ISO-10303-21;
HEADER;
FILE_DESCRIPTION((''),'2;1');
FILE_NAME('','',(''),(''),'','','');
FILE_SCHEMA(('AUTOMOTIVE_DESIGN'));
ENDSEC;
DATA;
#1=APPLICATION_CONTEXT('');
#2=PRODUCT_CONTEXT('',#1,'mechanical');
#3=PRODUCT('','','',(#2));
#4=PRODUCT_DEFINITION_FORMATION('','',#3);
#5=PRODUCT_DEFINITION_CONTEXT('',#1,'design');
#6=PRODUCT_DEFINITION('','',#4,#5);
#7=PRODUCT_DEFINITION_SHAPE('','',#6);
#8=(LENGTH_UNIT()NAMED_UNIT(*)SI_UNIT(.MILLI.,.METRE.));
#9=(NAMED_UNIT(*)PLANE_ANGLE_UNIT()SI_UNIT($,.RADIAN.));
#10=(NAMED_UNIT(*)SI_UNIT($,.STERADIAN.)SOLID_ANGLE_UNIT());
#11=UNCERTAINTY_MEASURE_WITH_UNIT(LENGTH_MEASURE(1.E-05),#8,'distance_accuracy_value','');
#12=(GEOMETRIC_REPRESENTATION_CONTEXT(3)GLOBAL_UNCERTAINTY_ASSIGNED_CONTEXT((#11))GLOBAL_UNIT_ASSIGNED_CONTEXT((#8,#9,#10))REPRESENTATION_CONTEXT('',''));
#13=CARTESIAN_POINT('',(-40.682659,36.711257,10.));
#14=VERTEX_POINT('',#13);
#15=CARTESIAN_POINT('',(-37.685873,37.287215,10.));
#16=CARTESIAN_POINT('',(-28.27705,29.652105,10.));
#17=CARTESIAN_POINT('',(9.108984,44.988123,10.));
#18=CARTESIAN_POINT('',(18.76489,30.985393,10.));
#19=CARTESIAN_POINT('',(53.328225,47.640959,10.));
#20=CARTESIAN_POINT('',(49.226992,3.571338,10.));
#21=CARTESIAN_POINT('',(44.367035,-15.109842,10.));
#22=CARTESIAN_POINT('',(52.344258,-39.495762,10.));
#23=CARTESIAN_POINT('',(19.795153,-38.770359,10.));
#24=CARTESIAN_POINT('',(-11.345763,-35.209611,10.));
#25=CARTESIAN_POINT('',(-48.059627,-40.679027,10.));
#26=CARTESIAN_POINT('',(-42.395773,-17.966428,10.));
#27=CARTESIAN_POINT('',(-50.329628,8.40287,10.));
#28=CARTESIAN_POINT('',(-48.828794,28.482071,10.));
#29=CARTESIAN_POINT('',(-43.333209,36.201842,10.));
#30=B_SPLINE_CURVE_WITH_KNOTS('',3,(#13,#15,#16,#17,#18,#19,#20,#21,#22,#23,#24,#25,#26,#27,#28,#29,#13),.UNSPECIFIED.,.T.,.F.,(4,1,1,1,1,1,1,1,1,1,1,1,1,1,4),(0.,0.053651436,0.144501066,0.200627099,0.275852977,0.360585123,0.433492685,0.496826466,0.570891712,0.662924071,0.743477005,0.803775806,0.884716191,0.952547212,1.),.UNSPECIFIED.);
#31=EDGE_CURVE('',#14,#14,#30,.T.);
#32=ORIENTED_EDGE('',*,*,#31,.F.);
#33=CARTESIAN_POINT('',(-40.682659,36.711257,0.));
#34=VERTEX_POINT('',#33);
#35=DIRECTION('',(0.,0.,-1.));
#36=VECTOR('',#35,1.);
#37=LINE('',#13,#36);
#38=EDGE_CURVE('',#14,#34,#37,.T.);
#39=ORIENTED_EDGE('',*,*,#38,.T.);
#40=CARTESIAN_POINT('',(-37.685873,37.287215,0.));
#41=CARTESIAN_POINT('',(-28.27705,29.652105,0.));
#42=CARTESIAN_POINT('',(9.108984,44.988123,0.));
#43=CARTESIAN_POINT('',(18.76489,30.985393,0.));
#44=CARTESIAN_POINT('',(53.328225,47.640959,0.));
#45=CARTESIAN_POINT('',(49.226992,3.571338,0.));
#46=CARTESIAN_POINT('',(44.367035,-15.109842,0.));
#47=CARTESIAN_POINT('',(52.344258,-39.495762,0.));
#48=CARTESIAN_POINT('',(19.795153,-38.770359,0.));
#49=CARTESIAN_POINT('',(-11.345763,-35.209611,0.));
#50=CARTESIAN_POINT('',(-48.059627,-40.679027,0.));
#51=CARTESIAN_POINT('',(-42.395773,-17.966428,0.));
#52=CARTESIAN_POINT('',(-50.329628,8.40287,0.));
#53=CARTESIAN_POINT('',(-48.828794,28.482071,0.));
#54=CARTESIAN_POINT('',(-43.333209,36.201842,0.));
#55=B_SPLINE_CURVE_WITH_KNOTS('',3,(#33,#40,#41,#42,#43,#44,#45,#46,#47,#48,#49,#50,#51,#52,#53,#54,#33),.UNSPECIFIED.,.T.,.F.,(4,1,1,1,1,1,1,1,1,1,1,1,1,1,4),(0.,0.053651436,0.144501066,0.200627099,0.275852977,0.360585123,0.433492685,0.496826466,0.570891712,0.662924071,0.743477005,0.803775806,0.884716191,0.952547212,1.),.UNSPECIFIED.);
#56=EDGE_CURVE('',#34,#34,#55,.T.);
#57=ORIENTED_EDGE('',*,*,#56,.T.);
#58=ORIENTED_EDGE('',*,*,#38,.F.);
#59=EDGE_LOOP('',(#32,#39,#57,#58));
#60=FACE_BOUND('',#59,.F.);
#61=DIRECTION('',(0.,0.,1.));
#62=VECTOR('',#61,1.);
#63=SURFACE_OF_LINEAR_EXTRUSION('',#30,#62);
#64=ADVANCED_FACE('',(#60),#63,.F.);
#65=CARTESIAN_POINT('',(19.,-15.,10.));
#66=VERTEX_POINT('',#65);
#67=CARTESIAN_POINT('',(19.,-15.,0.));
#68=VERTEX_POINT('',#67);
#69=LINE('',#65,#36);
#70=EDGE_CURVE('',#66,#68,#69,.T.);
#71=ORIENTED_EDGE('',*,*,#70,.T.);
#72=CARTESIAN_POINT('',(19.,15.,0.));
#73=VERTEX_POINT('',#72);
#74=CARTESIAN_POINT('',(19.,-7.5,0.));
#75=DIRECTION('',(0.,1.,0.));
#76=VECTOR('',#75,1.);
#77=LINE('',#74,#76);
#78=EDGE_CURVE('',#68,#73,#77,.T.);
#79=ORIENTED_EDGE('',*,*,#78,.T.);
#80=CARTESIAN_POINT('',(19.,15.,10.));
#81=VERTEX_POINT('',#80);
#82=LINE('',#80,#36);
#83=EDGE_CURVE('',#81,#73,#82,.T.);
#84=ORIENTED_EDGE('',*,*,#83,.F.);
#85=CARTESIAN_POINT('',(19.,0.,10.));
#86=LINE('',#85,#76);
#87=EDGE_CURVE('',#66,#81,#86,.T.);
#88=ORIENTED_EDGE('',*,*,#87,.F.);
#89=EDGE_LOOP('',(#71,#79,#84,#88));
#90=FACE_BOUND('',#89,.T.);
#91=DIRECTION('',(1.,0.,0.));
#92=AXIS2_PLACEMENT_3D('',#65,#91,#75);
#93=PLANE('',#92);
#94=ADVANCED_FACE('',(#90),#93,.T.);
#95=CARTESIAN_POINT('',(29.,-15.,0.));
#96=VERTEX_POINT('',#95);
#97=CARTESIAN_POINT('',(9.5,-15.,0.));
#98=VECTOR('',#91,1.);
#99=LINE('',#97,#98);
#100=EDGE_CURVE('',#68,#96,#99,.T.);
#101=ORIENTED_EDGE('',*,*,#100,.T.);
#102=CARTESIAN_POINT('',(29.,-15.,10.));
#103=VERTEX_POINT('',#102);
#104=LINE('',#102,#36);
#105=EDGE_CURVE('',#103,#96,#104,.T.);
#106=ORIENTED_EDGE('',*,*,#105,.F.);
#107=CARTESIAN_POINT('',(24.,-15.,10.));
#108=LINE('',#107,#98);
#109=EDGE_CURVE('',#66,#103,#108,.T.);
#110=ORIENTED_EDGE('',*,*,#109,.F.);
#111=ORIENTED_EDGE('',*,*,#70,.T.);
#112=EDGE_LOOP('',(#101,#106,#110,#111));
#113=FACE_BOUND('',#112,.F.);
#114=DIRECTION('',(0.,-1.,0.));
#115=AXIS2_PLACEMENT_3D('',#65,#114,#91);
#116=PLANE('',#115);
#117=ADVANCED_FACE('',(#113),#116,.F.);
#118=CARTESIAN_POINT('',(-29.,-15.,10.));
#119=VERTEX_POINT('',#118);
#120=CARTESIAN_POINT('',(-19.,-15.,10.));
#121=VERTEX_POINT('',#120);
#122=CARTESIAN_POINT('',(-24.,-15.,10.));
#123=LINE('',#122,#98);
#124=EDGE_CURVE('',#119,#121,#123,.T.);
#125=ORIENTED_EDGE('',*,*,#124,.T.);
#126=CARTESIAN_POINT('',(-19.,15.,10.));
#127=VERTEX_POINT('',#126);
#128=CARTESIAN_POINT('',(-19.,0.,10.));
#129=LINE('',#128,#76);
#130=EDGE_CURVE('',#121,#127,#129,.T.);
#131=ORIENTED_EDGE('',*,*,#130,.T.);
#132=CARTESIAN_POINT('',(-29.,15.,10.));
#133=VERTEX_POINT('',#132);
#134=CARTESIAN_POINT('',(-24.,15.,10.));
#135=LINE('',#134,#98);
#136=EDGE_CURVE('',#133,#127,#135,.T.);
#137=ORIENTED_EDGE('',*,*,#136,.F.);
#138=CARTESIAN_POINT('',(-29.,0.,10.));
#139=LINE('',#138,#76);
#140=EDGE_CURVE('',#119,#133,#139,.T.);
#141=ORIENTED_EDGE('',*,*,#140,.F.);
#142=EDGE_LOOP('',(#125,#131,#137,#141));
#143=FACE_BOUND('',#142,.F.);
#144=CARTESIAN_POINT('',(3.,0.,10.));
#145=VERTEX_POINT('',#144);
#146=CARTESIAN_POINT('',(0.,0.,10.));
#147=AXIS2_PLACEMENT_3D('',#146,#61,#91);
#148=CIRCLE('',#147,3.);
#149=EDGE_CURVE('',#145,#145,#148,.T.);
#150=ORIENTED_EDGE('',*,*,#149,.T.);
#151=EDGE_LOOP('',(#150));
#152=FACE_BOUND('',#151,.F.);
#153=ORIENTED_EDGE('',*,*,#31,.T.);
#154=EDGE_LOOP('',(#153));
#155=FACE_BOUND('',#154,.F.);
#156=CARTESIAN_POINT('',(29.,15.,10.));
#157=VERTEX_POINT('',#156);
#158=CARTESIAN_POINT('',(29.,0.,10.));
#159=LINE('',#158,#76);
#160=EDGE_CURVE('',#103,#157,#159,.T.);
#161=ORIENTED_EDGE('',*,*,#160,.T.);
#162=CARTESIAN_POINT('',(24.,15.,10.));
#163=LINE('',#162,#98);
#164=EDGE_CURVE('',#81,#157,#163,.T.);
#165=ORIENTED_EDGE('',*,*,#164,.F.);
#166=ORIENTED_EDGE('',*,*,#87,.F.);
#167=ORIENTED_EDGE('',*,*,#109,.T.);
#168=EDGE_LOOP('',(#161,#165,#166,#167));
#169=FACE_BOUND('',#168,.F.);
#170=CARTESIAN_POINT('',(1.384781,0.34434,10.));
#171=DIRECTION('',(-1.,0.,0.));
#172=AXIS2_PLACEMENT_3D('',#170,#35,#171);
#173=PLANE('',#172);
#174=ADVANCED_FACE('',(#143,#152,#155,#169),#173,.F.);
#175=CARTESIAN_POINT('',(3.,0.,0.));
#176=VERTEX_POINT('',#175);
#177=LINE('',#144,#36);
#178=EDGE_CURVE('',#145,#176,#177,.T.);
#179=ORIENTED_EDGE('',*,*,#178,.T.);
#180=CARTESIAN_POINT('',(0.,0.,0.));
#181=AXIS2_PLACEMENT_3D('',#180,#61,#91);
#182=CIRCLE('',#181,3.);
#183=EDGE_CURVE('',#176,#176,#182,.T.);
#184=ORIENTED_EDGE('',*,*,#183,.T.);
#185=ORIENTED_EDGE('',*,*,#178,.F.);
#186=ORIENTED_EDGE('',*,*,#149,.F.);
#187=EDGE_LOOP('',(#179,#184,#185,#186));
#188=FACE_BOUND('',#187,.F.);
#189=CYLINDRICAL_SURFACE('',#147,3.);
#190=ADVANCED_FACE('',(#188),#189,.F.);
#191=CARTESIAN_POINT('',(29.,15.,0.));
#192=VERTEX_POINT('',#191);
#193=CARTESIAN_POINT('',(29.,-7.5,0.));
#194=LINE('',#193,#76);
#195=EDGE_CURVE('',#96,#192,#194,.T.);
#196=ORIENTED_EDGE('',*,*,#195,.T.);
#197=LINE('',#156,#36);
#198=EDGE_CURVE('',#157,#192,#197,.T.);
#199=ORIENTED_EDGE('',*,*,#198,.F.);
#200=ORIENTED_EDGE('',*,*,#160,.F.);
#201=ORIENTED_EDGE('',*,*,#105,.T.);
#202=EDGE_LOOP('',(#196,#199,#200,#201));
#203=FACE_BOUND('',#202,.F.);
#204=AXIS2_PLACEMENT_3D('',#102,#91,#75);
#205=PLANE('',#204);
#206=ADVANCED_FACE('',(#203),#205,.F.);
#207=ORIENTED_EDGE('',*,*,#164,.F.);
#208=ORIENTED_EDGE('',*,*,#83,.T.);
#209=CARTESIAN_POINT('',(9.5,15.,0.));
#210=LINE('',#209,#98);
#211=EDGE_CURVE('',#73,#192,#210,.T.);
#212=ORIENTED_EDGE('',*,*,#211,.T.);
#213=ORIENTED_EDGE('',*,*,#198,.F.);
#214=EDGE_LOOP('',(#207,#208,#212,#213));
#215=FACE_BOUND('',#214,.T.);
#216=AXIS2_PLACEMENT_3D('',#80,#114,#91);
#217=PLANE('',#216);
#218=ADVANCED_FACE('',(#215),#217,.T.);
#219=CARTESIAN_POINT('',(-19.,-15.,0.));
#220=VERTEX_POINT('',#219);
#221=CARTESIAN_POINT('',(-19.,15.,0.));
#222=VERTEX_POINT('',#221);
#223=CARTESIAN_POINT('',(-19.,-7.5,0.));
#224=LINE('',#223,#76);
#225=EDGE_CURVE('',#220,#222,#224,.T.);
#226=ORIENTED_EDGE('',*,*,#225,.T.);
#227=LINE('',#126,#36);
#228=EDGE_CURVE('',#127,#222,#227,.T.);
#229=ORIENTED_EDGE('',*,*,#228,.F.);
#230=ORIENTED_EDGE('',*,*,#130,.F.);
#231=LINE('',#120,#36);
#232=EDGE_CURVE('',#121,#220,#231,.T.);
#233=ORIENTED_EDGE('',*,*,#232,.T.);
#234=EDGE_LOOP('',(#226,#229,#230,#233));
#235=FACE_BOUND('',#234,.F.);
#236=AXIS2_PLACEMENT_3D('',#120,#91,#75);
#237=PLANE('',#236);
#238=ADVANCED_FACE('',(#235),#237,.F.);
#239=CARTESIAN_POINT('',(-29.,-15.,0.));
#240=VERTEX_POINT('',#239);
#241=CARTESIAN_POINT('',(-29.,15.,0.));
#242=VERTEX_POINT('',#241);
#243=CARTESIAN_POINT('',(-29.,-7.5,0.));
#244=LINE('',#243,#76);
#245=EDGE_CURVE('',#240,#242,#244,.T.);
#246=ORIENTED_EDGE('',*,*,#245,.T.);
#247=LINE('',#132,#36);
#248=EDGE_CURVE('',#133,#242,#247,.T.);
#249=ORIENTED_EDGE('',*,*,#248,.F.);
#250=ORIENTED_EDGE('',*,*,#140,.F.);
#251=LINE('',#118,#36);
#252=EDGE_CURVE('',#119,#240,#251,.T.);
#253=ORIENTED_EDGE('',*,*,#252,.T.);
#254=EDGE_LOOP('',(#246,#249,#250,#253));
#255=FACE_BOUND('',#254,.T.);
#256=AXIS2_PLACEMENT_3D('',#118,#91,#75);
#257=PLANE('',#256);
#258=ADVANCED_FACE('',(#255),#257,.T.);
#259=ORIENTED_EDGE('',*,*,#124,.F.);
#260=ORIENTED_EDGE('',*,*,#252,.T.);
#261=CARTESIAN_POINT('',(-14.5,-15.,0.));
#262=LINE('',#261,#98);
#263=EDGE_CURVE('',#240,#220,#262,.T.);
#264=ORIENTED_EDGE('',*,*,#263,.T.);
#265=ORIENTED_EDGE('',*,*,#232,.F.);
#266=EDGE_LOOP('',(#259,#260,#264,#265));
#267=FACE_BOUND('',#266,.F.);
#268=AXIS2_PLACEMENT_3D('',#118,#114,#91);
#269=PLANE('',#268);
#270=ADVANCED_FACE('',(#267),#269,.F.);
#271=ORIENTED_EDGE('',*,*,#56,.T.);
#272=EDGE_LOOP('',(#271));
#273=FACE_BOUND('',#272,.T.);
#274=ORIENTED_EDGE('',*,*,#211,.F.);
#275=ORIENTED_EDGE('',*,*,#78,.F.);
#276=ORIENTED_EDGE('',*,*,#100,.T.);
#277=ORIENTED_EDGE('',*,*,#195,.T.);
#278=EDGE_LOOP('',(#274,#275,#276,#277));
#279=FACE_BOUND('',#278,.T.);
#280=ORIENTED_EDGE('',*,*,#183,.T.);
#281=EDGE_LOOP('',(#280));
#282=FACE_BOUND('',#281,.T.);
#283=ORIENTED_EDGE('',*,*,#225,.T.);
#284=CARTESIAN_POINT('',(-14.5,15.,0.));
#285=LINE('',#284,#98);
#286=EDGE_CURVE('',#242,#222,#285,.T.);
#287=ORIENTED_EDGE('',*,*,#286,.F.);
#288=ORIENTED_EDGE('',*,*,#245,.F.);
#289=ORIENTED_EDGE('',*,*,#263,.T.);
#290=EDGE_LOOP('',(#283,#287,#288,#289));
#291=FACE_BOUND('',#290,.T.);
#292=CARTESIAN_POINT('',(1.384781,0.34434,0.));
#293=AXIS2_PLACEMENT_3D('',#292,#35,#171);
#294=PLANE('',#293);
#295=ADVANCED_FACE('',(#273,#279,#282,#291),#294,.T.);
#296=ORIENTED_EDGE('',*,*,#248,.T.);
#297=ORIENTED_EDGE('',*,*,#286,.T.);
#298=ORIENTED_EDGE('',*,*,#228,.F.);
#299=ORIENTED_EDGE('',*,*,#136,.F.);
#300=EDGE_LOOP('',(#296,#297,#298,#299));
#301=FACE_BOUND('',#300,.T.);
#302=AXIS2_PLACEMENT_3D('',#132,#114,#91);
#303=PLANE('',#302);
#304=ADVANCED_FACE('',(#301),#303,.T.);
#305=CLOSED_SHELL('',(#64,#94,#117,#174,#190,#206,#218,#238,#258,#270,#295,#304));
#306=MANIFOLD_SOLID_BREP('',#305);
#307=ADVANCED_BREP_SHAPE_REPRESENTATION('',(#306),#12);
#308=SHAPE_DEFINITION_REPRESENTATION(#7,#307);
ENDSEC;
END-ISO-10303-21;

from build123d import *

# Parameters (mm, degrees)
F0_W     = 80
F0_H     = 60
F1_DEPTH = 10
F2_W     = 10
F2_H     = 30
F3_DEPTH = 25
F4_R     = 3
F5_DEPTH = 25
F6_W     = 80
F6_H     = 60
F7_DEPTH = 10


with BuildPart() as f1:
    # F0 (on Top) → F1 (new body)
    with BuildSketch(Plane.XY):
        Rectangle(F0_W, F0_H)
    extrude(amount=F1_DEPTH)

    # F2 (on face) → F3 (cut)
    with BuildSketch(Plane.XY.offset(10)):
        with Locations((-24, 0)):
            Rectangle(F2_W, F2_H)
        with Locations((24, 0)):
            Rectangle(F2_W, F2_H)
    extrude(amount=-F3_DEPTH, mode=Mode.SUBTRACT)

    # F4 (on face) → F5 (cut)
    with BuildSketch(Plane.XY.offset(10)):
        Circle(F4_R)
    extrude(amount=-F5_DEPTH, mode=Mode.SUBTRACT)

    # F6 (on face) → F7 (join)
    with BuildSketch(Plane.XY.offset(10)):
        with BuildLine():
            add(Edge.make_bspline(
                [(-40.6826585531, 36.7112569511), (-37.6858730286, 37.2872152432), (-28.2770498911, 29.6521046242), (9.1089835818, 44.9881226055), (18.7648904769, 30.9853930044), (53.3282246097, 47.6409588377), (49.226991833, 3.5713378702), (44.3670345281, -15.109842129), (52.3442576495, -39.4957624409), (19.7951527905, -38.77035861), (-11.3457625658, -35.2096106935), (-48.0596270255, -40.6790272937), (-42.3957725261, -17.966427904), (-50.3296277475, 8.402869627), (-48.8287943199, 28.4820708674), (-43.3332087761, 36.2018423243), (-40.6826585531, 36.7112569511)],
                knots=[0, 0, 0, 0, 0.0536514365, 0.1445010658, 0.2006270986, 0.2758529772, 0.3605851231, 0.4334926851, 0.4968264658, 0.570891712, 0.6629240708, 0.7434770054, 0.8037758059, 0.8847161907, 0.9525472124, 1, 1, 1, 1], degree=3))
        make_face()
        Rectangle(F6_W, F6_H, mode=Mode.SUBTRACT)
    extrude(amount=-F7_DEPTH)


solid = f1.part
